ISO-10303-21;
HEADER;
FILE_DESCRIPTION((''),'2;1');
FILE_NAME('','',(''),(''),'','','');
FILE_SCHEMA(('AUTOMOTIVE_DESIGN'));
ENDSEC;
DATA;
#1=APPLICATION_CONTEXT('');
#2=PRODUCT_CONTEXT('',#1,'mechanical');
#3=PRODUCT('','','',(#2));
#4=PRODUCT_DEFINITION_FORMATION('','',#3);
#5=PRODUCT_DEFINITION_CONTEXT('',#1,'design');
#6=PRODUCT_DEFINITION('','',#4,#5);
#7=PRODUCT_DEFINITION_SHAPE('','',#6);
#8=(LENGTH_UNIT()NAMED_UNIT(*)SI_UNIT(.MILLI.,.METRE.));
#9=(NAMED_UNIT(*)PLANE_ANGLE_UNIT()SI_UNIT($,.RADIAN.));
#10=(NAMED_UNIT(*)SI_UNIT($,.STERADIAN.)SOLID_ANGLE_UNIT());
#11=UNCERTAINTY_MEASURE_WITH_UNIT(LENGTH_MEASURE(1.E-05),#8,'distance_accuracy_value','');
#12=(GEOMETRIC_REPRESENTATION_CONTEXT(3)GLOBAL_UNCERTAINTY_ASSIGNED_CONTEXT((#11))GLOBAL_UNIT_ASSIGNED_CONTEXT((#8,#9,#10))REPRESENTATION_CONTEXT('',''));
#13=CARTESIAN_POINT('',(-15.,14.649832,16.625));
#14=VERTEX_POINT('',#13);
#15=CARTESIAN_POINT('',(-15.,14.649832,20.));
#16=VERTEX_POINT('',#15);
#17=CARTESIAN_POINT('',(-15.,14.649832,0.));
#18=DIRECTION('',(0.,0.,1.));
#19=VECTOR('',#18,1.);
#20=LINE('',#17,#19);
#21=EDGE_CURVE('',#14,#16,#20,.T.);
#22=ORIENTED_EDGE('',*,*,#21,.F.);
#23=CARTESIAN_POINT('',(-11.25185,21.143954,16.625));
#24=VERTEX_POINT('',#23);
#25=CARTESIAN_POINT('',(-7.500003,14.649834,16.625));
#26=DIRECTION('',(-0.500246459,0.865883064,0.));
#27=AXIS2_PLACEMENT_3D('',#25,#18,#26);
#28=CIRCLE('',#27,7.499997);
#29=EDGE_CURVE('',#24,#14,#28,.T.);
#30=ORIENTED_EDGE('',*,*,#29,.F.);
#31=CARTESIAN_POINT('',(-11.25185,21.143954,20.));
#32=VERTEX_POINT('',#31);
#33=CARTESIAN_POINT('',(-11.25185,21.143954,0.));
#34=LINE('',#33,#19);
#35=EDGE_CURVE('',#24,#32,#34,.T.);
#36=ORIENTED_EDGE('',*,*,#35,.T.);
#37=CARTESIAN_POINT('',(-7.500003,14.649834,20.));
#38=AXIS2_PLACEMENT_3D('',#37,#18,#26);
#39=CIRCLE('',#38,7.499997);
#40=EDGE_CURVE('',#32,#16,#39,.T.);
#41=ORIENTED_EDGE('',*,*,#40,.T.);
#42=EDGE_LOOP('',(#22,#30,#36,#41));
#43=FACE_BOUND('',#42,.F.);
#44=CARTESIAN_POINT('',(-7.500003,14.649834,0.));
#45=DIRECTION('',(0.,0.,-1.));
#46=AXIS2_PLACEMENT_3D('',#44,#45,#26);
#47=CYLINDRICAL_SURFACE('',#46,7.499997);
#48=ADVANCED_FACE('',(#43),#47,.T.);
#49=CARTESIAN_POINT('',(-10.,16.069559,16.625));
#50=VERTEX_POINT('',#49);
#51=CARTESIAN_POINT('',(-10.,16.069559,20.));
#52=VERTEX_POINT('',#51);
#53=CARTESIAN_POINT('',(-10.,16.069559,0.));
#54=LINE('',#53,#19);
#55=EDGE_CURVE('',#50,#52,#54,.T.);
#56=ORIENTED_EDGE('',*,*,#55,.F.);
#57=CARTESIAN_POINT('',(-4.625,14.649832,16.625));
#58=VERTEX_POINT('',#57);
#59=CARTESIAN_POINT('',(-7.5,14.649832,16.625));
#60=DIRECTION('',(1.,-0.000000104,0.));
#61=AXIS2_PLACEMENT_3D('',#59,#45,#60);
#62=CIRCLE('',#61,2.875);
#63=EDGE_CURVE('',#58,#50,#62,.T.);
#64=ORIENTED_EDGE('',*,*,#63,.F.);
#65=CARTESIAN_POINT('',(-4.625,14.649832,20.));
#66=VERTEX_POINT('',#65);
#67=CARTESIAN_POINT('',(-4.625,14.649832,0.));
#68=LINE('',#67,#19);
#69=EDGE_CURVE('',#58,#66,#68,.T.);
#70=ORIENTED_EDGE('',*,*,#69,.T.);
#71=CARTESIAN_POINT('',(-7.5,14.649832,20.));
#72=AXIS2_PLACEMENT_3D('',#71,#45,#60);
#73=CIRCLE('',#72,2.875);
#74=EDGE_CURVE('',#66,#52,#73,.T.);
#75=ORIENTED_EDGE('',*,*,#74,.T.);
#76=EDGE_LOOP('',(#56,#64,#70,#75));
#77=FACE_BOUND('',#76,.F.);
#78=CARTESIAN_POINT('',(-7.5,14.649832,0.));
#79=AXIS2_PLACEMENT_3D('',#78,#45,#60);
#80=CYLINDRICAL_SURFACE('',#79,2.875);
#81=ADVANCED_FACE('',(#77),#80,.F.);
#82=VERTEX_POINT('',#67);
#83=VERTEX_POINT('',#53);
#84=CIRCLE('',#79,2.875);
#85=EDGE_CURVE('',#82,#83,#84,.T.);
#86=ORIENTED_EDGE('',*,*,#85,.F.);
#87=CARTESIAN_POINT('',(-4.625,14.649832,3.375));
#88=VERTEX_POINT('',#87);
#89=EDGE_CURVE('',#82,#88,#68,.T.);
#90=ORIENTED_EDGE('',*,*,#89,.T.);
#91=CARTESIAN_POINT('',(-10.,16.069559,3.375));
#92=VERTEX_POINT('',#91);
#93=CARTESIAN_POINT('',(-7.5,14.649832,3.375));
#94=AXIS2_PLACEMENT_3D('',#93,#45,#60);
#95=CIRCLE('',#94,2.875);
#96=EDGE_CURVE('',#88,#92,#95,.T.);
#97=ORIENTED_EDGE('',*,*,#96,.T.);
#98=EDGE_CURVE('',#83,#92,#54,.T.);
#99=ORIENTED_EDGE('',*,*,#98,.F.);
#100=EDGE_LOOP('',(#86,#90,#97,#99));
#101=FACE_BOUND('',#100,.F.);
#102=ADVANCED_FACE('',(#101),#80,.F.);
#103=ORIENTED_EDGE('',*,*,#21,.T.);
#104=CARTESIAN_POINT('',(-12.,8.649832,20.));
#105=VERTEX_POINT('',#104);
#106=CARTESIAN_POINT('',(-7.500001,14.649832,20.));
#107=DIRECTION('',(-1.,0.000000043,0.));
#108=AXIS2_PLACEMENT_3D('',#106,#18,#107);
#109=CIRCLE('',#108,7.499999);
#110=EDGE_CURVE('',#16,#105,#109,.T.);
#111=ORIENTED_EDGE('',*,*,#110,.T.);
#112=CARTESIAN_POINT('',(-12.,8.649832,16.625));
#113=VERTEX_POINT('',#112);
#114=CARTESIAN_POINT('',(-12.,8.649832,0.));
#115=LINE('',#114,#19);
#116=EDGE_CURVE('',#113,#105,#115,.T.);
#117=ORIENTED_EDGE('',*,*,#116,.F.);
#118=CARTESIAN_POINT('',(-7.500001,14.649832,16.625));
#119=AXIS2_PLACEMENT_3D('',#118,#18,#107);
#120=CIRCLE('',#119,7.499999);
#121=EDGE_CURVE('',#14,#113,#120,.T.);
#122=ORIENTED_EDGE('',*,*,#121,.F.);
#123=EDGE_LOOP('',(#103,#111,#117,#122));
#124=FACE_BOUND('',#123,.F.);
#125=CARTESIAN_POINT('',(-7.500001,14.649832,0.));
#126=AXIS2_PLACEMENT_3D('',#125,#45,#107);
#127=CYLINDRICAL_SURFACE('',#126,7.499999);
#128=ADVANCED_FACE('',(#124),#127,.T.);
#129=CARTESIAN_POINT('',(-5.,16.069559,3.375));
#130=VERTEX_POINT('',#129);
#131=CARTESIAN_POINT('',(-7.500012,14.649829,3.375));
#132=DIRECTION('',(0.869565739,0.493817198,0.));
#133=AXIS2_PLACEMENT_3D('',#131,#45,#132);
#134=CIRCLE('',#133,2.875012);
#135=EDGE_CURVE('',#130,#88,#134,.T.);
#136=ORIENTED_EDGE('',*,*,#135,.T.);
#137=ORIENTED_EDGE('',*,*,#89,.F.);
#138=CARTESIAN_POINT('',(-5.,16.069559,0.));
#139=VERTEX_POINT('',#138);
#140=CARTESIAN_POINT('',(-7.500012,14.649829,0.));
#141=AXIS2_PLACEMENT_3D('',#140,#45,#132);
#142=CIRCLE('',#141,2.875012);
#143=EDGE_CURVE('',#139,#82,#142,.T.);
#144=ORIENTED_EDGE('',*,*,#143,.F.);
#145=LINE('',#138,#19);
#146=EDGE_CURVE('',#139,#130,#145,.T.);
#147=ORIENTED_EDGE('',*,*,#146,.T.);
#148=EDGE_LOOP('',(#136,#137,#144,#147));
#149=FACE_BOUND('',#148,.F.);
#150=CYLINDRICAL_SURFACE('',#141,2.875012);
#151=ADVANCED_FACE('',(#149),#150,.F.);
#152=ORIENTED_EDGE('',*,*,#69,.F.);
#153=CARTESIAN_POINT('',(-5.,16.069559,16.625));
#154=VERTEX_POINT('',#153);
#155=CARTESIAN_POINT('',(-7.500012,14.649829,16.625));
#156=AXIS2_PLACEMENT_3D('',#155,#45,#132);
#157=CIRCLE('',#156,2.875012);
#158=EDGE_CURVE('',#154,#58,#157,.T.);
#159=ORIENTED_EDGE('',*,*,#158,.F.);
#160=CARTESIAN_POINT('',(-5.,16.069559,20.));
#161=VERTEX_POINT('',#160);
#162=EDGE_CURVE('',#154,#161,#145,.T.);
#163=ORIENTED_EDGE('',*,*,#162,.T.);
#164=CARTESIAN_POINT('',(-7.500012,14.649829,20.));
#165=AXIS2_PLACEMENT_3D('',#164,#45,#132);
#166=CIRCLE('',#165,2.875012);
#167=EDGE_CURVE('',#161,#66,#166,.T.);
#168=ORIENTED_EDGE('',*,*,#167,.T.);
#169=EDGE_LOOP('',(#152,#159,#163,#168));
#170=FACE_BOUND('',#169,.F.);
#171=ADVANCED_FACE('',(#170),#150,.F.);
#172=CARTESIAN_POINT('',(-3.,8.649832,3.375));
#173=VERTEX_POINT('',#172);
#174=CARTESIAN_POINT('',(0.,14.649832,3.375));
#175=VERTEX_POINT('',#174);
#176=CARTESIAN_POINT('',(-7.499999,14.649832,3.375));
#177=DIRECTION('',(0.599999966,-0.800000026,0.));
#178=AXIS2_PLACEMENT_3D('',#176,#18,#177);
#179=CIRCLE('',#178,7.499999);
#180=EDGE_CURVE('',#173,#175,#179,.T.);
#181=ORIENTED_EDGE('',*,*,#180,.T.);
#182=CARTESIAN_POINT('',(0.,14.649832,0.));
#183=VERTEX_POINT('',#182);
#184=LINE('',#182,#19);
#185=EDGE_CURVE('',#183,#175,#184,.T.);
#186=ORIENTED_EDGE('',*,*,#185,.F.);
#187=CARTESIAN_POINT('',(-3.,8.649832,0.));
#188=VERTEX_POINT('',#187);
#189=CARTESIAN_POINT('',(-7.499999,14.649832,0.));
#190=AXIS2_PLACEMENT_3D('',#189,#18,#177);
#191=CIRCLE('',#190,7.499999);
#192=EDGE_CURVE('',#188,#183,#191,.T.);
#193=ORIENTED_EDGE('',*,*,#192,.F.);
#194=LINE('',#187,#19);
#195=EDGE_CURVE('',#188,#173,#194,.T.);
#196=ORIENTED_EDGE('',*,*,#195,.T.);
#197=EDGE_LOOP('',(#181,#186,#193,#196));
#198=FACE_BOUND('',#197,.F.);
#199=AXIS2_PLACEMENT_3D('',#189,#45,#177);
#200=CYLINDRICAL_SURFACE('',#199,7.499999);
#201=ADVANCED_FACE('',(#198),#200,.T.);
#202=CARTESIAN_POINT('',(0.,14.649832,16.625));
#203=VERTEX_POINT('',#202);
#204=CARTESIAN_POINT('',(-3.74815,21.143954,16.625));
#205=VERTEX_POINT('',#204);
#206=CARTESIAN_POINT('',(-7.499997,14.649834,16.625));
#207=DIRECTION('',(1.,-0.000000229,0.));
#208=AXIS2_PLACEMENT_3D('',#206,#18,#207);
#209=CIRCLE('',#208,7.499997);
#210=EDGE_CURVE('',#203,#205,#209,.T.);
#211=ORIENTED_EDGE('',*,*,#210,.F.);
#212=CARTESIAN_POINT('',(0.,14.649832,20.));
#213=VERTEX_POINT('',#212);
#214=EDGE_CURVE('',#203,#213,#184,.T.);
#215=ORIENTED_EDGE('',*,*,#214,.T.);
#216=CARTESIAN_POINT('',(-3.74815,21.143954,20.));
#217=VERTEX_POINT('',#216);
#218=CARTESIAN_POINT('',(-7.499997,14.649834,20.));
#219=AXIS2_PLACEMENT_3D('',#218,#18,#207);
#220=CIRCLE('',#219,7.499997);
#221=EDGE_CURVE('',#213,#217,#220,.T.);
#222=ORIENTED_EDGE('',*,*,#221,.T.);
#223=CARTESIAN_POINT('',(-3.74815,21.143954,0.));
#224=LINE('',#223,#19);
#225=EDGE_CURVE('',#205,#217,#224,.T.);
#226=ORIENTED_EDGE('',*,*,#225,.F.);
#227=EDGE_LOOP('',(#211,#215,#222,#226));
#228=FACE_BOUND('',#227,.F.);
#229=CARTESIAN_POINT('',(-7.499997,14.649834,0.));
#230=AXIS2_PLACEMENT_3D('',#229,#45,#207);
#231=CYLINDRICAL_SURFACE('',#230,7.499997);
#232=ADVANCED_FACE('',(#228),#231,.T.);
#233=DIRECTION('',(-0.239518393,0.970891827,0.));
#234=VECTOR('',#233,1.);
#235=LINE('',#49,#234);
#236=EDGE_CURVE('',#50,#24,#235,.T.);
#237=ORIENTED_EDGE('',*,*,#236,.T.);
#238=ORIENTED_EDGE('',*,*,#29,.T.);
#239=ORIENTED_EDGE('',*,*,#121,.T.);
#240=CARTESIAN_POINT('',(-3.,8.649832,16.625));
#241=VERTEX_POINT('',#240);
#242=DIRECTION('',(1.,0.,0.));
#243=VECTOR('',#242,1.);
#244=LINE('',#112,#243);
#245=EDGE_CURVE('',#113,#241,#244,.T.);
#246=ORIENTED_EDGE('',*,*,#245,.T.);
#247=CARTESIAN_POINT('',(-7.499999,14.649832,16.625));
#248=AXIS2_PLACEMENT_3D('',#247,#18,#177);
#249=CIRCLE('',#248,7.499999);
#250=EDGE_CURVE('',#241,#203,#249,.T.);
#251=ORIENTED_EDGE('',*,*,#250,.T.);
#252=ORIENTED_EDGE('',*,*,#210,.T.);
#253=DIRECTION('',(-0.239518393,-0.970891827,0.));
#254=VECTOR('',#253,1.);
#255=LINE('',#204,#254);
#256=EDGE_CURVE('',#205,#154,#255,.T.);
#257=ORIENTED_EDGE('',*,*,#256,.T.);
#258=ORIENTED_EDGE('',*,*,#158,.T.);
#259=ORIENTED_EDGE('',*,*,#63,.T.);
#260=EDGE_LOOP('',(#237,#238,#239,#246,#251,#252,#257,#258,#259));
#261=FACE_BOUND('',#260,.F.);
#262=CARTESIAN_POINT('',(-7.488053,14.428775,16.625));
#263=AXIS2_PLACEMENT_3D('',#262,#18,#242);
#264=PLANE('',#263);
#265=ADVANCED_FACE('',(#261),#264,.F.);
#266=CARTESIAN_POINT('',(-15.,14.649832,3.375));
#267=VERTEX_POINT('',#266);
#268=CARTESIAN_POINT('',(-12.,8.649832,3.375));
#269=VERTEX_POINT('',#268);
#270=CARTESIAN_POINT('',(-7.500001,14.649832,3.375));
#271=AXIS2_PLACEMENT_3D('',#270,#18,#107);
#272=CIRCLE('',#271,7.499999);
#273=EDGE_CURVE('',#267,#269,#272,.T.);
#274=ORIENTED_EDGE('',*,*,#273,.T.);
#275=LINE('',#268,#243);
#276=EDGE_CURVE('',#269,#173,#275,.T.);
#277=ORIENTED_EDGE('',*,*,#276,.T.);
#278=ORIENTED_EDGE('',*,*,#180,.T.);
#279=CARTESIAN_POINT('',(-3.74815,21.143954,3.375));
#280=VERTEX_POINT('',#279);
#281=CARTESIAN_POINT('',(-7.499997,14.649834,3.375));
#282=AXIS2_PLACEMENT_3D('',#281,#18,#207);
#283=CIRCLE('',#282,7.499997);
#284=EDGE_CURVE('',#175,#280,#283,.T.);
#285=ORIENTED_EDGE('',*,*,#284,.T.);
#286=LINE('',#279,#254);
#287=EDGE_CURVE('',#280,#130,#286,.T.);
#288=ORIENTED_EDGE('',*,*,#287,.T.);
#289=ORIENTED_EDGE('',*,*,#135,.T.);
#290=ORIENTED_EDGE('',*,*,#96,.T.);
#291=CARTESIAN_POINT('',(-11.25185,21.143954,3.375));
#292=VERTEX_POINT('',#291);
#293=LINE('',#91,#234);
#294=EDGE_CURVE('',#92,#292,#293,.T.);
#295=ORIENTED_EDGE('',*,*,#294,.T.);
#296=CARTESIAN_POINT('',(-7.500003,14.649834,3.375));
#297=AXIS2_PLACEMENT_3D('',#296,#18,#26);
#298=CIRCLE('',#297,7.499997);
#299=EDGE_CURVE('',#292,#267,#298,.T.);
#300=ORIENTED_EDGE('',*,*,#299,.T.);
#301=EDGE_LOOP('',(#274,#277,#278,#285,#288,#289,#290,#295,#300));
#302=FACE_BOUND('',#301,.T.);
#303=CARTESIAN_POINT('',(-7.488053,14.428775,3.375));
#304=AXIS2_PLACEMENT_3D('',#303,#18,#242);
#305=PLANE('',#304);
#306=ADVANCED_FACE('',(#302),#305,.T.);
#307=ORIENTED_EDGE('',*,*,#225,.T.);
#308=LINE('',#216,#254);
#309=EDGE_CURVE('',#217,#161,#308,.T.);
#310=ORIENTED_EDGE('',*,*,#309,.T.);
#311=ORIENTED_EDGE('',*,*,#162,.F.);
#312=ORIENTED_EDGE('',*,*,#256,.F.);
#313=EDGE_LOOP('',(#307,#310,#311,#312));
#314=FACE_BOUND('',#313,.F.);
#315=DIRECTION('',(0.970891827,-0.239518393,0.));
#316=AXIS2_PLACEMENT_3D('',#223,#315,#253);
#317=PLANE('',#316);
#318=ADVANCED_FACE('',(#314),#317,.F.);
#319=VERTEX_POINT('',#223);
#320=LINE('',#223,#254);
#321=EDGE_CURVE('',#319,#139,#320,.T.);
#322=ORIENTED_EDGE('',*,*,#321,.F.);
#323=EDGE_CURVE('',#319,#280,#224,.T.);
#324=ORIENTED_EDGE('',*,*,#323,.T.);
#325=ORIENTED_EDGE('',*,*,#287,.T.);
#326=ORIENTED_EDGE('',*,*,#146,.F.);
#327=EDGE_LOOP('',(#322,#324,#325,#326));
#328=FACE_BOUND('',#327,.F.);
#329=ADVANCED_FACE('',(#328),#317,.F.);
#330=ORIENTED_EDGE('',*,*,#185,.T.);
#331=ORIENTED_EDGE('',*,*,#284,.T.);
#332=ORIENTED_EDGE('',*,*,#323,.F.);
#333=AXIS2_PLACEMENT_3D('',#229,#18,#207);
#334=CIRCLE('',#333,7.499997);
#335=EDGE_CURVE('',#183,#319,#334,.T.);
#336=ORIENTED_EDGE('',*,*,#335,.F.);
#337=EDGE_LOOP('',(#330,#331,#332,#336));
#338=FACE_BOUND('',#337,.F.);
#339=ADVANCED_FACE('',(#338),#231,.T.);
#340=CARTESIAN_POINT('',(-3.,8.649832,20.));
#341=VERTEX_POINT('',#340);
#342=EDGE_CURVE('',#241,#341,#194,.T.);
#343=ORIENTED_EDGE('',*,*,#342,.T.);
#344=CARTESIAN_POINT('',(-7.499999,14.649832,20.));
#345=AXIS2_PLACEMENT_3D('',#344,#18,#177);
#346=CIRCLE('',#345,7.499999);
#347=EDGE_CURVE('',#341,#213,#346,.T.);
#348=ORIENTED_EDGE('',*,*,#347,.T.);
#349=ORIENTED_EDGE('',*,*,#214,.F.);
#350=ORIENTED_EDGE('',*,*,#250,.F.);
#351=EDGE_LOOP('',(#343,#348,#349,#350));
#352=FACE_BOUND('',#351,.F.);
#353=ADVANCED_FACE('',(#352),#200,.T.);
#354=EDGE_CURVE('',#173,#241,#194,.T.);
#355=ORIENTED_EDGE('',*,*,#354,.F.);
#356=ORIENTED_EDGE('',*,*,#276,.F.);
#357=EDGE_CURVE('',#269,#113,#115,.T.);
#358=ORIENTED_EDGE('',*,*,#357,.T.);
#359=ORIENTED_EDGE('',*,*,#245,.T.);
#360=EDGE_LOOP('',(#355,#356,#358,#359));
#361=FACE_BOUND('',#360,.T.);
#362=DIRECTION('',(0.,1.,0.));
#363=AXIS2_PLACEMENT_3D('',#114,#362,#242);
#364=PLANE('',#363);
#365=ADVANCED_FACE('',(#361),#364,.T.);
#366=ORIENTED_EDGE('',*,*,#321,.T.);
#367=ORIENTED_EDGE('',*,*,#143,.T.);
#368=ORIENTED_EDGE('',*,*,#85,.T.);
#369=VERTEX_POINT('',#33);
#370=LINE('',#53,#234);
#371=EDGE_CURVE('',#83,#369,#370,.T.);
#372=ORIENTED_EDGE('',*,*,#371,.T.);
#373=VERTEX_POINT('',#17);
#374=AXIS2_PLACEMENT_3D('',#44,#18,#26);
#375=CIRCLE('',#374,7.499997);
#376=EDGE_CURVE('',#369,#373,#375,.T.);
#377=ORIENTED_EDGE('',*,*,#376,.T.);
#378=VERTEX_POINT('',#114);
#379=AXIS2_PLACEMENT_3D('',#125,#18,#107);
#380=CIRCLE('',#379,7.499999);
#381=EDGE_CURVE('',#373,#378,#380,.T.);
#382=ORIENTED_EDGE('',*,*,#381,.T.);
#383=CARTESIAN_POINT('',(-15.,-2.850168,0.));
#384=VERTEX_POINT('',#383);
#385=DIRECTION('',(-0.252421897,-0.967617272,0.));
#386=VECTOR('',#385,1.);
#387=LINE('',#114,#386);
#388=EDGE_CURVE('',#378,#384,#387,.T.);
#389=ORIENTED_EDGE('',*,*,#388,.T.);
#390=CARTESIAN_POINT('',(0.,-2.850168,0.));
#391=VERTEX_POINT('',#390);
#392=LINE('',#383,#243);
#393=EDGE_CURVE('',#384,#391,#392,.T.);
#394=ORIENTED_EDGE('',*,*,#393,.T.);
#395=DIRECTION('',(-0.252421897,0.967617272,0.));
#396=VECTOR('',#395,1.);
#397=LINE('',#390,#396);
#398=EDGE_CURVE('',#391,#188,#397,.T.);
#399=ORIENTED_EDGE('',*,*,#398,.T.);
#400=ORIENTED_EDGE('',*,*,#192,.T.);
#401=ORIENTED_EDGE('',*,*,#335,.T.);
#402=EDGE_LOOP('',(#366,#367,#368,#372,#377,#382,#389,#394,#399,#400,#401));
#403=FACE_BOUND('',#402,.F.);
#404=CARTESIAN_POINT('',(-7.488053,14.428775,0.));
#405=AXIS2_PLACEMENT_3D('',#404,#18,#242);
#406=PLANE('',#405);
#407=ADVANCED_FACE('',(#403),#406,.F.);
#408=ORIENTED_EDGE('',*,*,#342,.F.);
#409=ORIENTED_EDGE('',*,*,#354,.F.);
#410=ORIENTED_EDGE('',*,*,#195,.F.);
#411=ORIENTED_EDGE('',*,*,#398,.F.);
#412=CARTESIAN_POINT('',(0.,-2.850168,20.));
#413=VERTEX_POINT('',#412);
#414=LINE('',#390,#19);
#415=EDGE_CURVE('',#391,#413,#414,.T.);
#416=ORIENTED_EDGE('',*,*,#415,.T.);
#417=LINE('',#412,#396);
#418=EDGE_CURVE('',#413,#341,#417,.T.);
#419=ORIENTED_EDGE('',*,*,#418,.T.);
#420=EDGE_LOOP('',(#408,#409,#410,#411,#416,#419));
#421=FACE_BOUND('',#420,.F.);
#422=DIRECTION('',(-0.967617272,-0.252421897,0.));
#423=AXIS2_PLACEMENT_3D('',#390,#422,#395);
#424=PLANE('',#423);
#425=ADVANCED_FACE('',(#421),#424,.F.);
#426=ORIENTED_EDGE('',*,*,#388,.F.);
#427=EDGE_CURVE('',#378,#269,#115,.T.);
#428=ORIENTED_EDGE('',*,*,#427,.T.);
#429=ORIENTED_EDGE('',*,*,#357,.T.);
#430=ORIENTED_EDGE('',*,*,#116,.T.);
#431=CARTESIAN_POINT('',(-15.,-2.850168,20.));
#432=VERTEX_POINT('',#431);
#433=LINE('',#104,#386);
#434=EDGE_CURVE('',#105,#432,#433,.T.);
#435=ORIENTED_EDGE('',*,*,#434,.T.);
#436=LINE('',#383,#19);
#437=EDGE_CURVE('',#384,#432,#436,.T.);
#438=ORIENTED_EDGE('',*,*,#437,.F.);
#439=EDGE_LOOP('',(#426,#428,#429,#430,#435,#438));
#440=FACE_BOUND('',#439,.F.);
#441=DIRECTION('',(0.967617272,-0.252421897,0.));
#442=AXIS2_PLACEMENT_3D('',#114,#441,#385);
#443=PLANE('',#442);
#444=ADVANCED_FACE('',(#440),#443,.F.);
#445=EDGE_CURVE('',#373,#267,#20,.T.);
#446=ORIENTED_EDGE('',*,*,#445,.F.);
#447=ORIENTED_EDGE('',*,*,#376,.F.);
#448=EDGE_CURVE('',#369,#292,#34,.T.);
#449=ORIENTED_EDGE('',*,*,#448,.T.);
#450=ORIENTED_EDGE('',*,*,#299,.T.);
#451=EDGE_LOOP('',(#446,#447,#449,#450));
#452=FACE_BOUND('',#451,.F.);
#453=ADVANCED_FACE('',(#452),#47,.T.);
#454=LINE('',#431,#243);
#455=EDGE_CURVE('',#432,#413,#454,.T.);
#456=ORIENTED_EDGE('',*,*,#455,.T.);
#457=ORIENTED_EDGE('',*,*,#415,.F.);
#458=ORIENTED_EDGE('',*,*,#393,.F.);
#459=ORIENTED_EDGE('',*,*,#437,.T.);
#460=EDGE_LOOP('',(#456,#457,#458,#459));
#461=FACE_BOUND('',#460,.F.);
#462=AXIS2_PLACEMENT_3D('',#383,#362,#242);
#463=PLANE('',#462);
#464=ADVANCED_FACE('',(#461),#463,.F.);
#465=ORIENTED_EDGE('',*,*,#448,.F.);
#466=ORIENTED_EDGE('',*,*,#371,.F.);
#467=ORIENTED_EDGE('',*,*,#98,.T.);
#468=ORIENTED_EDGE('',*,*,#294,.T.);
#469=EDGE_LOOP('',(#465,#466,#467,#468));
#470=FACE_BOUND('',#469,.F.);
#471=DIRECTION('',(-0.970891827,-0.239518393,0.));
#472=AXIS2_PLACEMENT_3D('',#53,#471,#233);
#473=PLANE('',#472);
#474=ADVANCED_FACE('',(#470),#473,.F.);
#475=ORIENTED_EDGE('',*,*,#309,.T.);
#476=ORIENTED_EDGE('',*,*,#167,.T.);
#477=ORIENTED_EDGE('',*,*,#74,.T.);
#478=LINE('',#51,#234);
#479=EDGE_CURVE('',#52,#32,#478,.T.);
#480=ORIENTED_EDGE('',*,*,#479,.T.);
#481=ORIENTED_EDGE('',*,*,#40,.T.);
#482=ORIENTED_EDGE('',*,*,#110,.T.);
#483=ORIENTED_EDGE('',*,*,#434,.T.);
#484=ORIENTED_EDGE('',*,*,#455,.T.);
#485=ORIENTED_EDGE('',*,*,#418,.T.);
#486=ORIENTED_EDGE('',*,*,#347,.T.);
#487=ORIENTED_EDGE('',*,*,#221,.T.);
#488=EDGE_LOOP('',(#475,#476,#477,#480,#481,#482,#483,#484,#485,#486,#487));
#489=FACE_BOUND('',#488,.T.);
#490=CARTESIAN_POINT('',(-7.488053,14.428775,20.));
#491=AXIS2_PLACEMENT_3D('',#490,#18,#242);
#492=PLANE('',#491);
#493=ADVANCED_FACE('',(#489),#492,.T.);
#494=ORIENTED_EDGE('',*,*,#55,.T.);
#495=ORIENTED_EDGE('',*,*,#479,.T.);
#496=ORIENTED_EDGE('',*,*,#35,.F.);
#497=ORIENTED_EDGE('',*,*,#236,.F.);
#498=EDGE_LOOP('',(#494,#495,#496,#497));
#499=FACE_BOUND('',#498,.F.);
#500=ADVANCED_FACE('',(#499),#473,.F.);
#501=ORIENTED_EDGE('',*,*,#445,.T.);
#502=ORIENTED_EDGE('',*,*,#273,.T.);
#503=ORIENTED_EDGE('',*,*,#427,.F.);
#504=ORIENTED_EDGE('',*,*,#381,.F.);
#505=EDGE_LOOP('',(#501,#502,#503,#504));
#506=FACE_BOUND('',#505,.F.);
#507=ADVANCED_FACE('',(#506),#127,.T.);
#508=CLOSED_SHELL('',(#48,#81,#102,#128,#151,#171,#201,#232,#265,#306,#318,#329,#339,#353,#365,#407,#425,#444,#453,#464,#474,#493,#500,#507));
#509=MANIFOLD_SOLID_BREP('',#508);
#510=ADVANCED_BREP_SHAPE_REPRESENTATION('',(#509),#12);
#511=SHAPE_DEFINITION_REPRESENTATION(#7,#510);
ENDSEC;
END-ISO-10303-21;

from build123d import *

# Parameters (mm, degrees)
F1_DEPTH = 20
F2_DEPTH = 16.625
F3_DEPTH = 3.375


with BuildPart() as f1:
    # F0 (on Top) → F1 (new body)
    with BuildSketch(Plane.XY):
        with BuildLine():
            ThreePointArc((-11.25185, 21.143954), (-13.995725, 18.398907), (-15, 14.649832))
            ThreePointArc((-15, 14.649832), (-14.208204, 11.29573), (-12, 8.649832))
            Line((-12, 8.649832), (-3, 8.649832))
            ThreePointArc((-3, 8.649832), (-0.791796, 11.29573), (0, 14.649832))
            ThreePointArc((0, 14.649832), (-1.004275, 18.398907), (-3.74815, 21.143954))
            Line((-3.74815, 21.143954), (-5, 16.069559))
            ThreePointArc((-5, 16.069559), (-4.720331, 15.384041), (-4.625, 14.649832))
            ThreePointArc((-4.625, 14.649832), (-8.234209, 11.870163), (-10, 16.069559))
            Line((-10, 16.069559), (-11.25185, 21.143954))
        make_face()
        with BuildLine():
            Line((-12, 8.649832), (-15, -2.850168))
            Line((-15, -2.850168), (0, -2.850168))
            Line((0, -2.850168), (-3, 8.649832))
            ThreePointArc((-3, 8.649832), (-7.5, 7.149832), (-12, 8.649832))
        make_face()
        with BuildLine():
            Line((-3, 8.649832), (-12, 8.649832))
            ThreePointArc((-12, 8.649832), (-7.5, 7.149832), (-3, 8.649832))
        make_face()
    extrude(amount=F1_DEPTH)

    # F0 (on Top) → F2 (cut)
    with BuildSketch(Plane.XY):
        with BuildLine():
            ThreePointArc((-11.25185, 21.143954), (-13.995725, 18.398907), (-15, 14.649832))
            ThreePointArc((-15, 14.649832), (-14.208204, 11.29573), (-12, 8.649832))
            Line((-12, 8.649832), (-3, 8.649832))
            ThreePointArc((-3, 8.649832), (-0.791796, 11.29573), (0, 14.649832))
            ThreePointArc((0, 14.649832), (-1.004275, 18.398907), (-3.74815, 21.143954))
            Line((-3.74815, 21.143954), (-5, 16.069559))
            ThreePointArc((-5, 16.069559), (-4.720331, 15.384041), (-4.625, 14.649832))
            ThreePointArc((-4.625, 14.649832), (-8.234209, 11.870163), (-10, 16.069559))
            Line((-10, 16.069559), (-11.25185, 21.143954))
        make_face()
    extrude(amount=F2_DEPTH, mode=Mode.SUBTRACT)

    # F0 (on Top) → F3 (join)
    with BuildSketch(Plane.XY):
        with BuildLine():
            ThreePointArc((-11.25185, 21.143954), (-13.995725, 18.398907), (-15, 14.649832))
            ThreePointArc((-15, 14.649832), (-14.208204, 11.29573), (-12, 8.649832))
            Line((-12, 8.649832), (-3, 8.649832))
            ThreePointArc((-3, 8.649832), (-0.791796, 11.29573), (0, 14.649832))
            ThreePointArc((0, 14.649832), (-1.004275, 18.398907), (-3.74815, 21.143954))
            Line((-3.74815, 21.143954), (-5, 16.069559))
            ThreePointArc((-5, 16.069559), (-4.720331, 15.384041), (-4.625, 14.649832))
            ThreePointArc((-4.625, 14.649832), (-8.234209, 11.870163), (-10, 16.069559))
            Line((-10, 16.069559), (-11.25185, 21.143954))
        make_face()
    extrude(amount=F3_DEPTH)


solid = f1.part
